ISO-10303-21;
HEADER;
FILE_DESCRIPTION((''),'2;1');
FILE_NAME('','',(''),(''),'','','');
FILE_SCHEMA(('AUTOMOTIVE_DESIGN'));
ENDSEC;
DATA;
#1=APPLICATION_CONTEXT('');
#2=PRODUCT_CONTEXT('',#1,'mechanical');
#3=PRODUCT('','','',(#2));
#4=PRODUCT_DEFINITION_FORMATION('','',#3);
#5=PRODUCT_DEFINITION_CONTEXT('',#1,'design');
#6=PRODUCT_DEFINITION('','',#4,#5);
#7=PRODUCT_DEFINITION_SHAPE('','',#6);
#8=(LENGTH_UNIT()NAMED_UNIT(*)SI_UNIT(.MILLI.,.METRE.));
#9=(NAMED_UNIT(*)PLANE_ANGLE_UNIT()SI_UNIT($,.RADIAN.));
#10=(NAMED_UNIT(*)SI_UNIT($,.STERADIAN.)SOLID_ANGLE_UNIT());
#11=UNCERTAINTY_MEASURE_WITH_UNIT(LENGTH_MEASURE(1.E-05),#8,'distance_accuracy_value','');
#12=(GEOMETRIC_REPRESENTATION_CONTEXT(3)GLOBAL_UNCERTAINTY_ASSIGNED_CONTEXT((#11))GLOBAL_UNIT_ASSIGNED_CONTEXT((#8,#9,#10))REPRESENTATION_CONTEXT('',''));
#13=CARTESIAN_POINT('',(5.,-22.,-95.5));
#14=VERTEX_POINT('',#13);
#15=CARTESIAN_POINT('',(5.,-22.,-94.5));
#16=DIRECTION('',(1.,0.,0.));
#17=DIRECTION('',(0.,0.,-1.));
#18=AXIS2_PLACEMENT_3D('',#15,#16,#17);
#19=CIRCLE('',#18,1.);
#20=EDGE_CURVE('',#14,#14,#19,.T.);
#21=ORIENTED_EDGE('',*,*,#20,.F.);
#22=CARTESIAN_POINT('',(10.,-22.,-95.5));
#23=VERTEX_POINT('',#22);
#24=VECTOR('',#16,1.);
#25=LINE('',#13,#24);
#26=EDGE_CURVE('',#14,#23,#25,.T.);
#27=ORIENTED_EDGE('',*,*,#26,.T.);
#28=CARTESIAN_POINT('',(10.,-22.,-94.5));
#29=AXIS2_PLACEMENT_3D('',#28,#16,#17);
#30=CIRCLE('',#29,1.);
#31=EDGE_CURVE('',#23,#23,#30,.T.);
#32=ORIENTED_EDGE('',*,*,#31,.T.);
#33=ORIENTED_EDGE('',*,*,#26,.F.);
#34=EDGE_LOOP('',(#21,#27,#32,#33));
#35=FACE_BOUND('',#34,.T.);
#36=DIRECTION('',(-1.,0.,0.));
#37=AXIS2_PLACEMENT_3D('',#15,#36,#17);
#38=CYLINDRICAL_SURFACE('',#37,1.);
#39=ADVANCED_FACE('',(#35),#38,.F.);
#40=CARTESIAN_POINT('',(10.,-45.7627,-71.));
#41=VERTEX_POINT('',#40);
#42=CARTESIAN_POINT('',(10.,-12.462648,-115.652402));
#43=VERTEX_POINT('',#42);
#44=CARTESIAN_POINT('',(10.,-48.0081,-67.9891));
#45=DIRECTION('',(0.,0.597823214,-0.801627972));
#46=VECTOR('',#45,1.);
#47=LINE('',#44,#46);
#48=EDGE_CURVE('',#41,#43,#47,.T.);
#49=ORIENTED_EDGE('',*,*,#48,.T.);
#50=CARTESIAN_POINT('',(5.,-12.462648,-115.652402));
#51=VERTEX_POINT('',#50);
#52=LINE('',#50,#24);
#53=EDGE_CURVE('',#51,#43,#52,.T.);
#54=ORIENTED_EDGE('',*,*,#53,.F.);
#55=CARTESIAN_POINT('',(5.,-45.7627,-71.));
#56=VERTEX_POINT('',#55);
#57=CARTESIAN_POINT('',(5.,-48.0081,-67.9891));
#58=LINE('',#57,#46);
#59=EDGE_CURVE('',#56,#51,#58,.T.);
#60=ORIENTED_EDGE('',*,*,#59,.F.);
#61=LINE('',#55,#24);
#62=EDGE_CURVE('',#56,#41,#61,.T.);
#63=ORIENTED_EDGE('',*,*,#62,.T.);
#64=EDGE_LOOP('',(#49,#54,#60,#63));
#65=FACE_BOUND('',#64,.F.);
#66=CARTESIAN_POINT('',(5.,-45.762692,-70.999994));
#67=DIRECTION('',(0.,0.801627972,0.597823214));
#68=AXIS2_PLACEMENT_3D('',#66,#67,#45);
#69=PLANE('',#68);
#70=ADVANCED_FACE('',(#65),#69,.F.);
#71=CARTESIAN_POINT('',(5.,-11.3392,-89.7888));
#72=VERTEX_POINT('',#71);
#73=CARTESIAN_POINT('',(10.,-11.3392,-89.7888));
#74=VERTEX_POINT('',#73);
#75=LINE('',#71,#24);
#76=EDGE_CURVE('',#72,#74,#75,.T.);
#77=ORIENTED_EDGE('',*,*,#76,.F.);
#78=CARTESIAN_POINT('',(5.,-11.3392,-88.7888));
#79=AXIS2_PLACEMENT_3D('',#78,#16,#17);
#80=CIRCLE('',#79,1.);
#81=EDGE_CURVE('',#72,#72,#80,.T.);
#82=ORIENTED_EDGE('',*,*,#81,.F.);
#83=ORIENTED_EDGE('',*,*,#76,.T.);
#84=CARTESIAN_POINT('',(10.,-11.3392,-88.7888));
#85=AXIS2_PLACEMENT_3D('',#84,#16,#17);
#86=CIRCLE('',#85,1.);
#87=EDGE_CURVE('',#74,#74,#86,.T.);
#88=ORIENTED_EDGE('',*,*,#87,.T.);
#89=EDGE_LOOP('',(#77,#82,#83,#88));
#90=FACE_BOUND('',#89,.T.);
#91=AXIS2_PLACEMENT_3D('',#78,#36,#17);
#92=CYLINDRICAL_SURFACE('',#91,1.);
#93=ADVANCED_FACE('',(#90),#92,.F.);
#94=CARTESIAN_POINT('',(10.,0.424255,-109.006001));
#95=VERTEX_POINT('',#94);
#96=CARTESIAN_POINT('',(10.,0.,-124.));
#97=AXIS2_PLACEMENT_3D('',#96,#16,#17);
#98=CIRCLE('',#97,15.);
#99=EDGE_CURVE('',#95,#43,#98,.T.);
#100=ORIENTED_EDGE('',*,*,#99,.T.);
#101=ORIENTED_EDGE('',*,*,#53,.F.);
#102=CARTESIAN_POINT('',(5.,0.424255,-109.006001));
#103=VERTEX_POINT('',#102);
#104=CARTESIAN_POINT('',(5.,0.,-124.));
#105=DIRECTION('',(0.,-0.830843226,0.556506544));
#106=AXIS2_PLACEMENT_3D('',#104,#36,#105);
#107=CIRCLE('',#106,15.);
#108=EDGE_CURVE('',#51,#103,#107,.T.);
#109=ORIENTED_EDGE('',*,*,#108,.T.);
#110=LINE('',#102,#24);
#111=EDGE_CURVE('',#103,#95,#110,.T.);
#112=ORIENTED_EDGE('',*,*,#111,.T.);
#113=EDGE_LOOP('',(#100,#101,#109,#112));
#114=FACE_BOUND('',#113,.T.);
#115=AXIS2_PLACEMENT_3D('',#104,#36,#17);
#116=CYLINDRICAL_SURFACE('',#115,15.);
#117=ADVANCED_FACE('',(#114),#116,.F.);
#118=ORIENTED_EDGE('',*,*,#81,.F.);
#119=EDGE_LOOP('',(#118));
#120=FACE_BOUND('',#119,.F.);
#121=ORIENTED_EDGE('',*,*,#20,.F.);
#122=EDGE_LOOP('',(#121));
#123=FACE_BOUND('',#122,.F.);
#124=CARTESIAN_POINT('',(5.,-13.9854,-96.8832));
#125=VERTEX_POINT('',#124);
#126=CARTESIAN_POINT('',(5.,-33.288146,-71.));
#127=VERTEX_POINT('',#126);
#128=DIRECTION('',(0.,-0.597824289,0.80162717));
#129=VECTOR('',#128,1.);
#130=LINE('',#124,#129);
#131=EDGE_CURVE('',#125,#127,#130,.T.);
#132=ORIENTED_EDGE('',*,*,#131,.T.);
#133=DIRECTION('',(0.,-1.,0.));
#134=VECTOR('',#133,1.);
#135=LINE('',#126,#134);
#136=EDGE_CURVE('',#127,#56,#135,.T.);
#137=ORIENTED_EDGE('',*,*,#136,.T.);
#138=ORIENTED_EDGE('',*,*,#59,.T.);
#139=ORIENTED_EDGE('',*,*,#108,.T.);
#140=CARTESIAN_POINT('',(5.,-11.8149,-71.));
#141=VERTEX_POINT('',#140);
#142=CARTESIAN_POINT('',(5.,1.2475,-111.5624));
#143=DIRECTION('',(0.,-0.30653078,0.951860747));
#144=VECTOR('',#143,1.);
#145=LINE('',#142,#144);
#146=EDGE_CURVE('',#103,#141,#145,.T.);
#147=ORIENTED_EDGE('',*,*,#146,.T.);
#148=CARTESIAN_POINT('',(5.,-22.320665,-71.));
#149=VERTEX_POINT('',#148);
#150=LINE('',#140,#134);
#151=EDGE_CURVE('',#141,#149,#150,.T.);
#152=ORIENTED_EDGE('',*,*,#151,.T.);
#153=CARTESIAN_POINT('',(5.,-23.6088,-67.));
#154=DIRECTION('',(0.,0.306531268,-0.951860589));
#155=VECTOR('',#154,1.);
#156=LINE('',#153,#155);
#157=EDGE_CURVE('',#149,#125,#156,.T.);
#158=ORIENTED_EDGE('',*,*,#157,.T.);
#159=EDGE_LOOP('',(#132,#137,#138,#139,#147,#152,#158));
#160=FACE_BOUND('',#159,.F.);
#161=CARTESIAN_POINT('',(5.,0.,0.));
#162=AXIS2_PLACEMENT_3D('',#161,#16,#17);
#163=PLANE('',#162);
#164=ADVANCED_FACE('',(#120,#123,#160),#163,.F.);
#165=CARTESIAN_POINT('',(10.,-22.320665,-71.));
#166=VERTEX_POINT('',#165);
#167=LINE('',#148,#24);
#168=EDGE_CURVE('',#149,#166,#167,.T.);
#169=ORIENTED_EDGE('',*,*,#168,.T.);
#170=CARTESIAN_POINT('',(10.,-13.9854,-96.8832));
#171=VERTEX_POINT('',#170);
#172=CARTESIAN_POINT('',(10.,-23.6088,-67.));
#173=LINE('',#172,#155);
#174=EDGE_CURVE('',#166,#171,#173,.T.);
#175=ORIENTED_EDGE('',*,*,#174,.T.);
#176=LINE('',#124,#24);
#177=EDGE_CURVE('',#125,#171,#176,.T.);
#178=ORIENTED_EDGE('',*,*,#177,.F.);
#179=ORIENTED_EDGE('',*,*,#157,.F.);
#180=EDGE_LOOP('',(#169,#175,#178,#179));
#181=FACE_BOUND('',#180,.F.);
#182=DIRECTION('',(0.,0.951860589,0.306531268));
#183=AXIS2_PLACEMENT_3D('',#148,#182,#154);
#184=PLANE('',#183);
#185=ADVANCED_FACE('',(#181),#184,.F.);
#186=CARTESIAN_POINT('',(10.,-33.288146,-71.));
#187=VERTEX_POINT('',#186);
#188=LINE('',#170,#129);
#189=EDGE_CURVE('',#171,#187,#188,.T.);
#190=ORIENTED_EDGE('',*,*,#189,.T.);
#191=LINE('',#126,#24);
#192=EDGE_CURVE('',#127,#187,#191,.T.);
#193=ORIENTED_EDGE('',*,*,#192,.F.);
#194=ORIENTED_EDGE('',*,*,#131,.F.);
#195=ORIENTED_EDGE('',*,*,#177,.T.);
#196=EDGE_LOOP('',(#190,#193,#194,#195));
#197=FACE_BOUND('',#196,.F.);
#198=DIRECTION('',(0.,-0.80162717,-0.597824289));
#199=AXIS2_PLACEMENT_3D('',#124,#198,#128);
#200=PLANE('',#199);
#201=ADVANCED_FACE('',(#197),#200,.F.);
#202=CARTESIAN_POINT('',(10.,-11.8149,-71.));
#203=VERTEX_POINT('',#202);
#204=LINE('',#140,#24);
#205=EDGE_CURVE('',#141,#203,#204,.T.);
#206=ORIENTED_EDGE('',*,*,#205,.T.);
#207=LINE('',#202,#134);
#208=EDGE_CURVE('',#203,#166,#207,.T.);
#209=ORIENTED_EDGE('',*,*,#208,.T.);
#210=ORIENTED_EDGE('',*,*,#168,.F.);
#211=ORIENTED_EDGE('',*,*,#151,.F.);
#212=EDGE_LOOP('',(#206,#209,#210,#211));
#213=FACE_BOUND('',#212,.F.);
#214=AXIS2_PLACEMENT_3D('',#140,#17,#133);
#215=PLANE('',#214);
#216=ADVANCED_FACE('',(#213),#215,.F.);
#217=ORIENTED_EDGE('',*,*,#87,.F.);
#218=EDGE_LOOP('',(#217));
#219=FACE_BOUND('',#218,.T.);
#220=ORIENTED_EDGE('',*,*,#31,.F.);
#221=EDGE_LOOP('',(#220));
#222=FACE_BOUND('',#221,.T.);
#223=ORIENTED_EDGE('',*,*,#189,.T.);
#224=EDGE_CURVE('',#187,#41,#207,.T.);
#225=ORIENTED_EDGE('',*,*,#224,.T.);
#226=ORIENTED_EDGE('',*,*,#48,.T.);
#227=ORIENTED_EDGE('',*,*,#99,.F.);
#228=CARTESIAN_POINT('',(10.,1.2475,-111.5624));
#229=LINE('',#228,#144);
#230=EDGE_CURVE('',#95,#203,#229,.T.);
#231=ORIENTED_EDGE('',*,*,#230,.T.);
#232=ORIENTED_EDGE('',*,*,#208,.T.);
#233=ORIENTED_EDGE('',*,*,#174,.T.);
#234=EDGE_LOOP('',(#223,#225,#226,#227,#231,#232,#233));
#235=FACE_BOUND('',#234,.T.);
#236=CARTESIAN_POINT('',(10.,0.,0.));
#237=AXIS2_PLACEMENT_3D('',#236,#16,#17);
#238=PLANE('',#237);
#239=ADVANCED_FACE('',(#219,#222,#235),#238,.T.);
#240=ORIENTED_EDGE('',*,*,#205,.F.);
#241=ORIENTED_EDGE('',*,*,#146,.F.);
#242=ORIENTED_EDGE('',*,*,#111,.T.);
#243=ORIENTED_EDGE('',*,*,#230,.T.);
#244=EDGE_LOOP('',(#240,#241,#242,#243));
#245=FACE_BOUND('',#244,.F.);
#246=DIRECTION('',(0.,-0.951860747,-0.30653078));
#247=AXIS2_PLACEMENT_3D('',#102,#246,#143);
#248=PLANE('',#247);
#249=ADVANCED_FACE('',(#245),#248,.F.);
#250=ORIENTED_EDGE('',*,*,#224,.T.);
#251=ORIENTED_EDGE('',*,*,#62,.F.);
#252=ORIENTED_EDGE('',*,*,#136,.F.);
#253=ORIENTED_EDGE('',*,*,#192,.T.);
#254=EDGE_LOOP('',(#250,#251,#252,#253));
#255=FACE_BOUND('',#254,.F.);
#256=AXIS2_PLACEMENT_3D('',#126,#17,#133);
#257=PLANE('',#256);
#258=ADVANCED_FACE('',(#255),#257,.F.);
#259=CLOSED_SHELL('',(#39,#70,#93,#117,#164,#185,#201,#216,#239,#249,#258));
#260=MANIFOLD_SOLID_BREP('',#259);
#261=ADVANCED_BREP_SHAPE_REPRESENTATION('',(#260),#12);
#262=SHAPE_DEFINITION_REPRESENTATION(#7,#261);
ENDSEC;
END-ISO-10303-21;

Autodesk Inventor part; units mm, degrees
ref_plane "YZ Plane" through (0, 0, 0) normal (1, 0, 0) x (0, 1, 0)
ref_plane "XZ Plane" through (0, 0, 0) normal (0, 1, 0) x (-1, 0, 0)
ref_plane "XY Plane" through (0, 0, 0) normal (0, 0, 1) x (1, 0, 0)
sketch "Sketch1" plane through (0, 0, 0) normal (1, 0, 0) x (0, 1, 0)
  circle A0 centre (0, -124) radius 1.95
  circle A1 centre (0, 124) radius 1.95
  circle A2 centre (-19, -65) radius 1.5
  circle A3 centre (-19, 65) radius 1.5
  line L0 (0, 124) -> (-19, 65) construction
  line L1 (4.7593, 122.4673) -> (-14.2407, 63.4673)
  line L2 (-23.7593, 66.5327) -> (-4.7593, 125.5327)
  arc A4 (4.7593, 122.4673) -> (-4.7593, 125.5327) centre (0, 124) ccw
  arc A5 (-23.7593, 66.5327) -> (-14.2407, 63.4673) centre (-19, 65) ccw
  line L3 (-19, 65) -> (-19, -65) construction
  line L4 (-24, 65) -> (-24, -65)
  line L5 (-14, -65) -> (-14, 65)
  arc A6 (-14, 65) -> (-24, 65) centre (-19, 65) ccw
  arc A7 (-24, -65) -> (-14, -65) centre (-19, -65) ccw
  line L6 (-19, -65) -> (0, -124) construction
  line L7 (-23.7593, -66.5327) -> (-4.7593, -125.5327)
  line L8 (4.7593, -122.4673) -> (-14.2407, -63.4673)
  arc A8 (-14.2407, -63.4673) -> (-23.7593, -66.5327) centre (-19, -65) ccw
  arc A9 (-4.7593, -125.5327) -> (4.7593, -122.4673) centre (0, -124) ccw
  circle A10 centre (-44, 65) radius 1.5
  circle A11 centre (-44, -65) radius 1.5
  line L9 (-19, 65) -> (-44, 65) construction
  line L10 (-19, 67) -> (-44, 67)
  line L11 (-44, 63) -> (-19, 63)
  arc A12 (-19, 63) -> (-19, 67) centre (-19, 65) ccw
  arc A13 (-44, 67) -> (-44, 63) centre (-44, 65) ccw
  line L12 (-19, -65) -> (-44, -65) construction
  line L13 (-19, -63) -> (-44, -63)
  line L14 (-44, -67) -> (-19, -67)
  arc A14 (-19, -67) -> (-19, -63) centre (-19, -65) ccw
  arc A15 (-44, -63) -> (-44, -67) centre (-44, -65) ccw
  line L15 (0, 124) -> (-44, 65) construction
  line L16 (-4.0081, 126.9891) -> (-48.0081, 67.9891)
  line L17 (-39.9919, 62.0109) -> (4.0081, 121.0109)
  arc A16 (4.0081, 121.0109) -> (-4.0081, 126.9891) centre (0, 124) ccw
  arc A17 (-48.0081, 67.9891) -> (-39.9919, 62.0109) centre (-44, 65) ccw
  line L18 (-44, -65) -> (0, -124) construction
  line L19 (-48.0081, -67.9891) -> (-4.0081, -126.9891)
  line L20 (4.0081, -121.0109) -> (-39.9919, -62.0109)
  arc A18 (-39.9919, -62.0109) -> (-48.0081, -67.9891) centre (-44, -65) ccw
  arc A19 (-4.0081, -126.9891) -> (4.0081, -121.0109) centre (0, -124) ccw
  line L21 (-44, 65) -> (-44, -65) construction
  line L22 (-46.5, 65) -> (-46.5, -65)
  line L23 (-41.5, -65) -> (-41.5, 65)
  arc A20 (-41.5, 65) -> (-46.5, 65) centre (-44, 65) ccw
  arc A21 (-46.5, -65) -> (-41.5, -65) centre (-44, -65) ccw
  line L24 (-44, 65) -> (-19, 0) construction
  line L25 (-45.4, 64.4615) -> (-20.4, -0.5385)
  line L26 (-17.6, 0.5385) -> (-42.6, 65.5385)
  arc A22 (-42.6, 65.5385) -> (-45.4, 64.4615) centre (-44, 65) ccw
  arc A23 (-20.4, -0.5385) -> (-17.6, 0.5385) centre (-19, 0) ccw
  line L27 (-44, -65) -> (-19, 0) construction
  line L28 (-42.6, -65.5385) -> (-17.6, -0.5385)
  line L29 (-20.4, 0.5385) -> (-45.4, -64.4615)
  arc A24 (-45.4, -64.4615) -> (-42.6, -65.5385) centre (-44, -65) ccw
  arc A25 (-17.6, -0.5385) -> (-20.4, 0.5385) centre (-19, 0) ccw
  line L30 (-19, 0) -> (-44, 0) construction
  line L31 (-19, 1.5) -> (-44, 1.5)
  line L32 (-44, -1.5) -> (-19, -1.5)
  arc A26 (-19, -1.5) -> (-19, 1.5) centre (-19, 0) ccw
  arc A27 (-44, 1.5) -> (-44, -1.5) centre (-44, 0) ccw
  circle A28 centre (-19, -10) radius 1.5
  circle A29 centre (-19, -35) radius 1.5
  circle A30 centre (-19, 10) radius 1.5
  circle A31 centre (-19, 35) radius 1.5
  circle A32 centre (0, -124) radius 12.5
  circle A33 centre (0, 124) radius 12.5
  circle A34 centre (-22, 94.5) radius 1
  circle A35 centre (-22, -94.5) radius 1
  circle A36 centre (-11.3392, 88.7888) radius 1
  circle A37 centre (-11.3392, -88.7888) radius 1
  circle A38 centre (-19, 0) radius 1
  point P0 (0, 0)
  point P1 (-9.5, 94.5)
  point P2 (-9.5, -94.5)
  point P3 (-14, -64.2148)
  point P4 (-14, 64.2148)
  point P5 (-24, 65)
  point P6 (-31.5, 65)
  point P7 (-31.5, -65)
  point P8 (-44, 0)
  point P9 (-31.5, 32.5)
  point P10 (-31.5, -32.5)
  point P11 (-41.5, 54.3215)
  point P12 (-24, 8.8215)
  point P13 (-24, 17.1785)
  point P14 (-41.6236, 63)
  point P15 (-24, 63)
  point P16 (-23.6088, 67)
  point P17 (-36.2712, 67)
  point P18 (-13.9854, 96.8832)
  point P19 (-6.8749, 118.9633)
  point P20 (-43.3898, 70)
  point P21 (-46.5, -65)
  point P22 (-43.3898, -70)
  point P23 (-6.8749, -118.9633)
  point P24 (-13.9854, -96.8832)
  point P25 (-36.2712, -67)
  point P26 (-23.6088, -67)
  point P27 (-24, -63)
  point P28 (-41.6236, -63)
  point P29 (-24, -17.1785)
  point P30 (-24, -8.8215)
  point P31 (-41.5, -54.3215)
  point P32 (-31.5, 0)
  point P33 (-41.5, -1.5)
  point P34 (-24, -1.5)
  point P35 (-24, 1.5)
  point P36 (-41.5, 1.5)
  point P37 (-46.5, 60.6699)
  point P38 (-46.5, -60.6699)
  point P39 (-4.0081, -126.9891)
  point P40 (-41.5, 63)
  point P41 (-23.5826, 67)
  point P42 (-41.5, -63)
  point P43 (-41.5, -62.6785)
  point P44 (-41.5, 62.6785)
  point P45 (-10.8571, -117.8053)
  point P46 (1.2475, -111.5624)
  point P47 (-10.8571, 117.8053)
  point P48 (1.2475, 111.5624)
  point P49 (-40.8878, -61.0867)
  point P50 (-41.5, 60.6699)
  dimension "d2" = 3.9
  dimension "d4" = 3.9
  dimension "d25" = 3
  dimension "d28" = 3
  dimension "d43" = 59
  dimension "d44" = 65
  dimension "d45" = 65
  dimension "d47" = 59
  dimension "d48" = 10
  dimension "d49" = 10
  dimension "d50" = 10
  dimension "d52" = 14
  dimension "d53" = 3
  dimension "d54" = 3
  dimension "d55" = 4
  dimension "d56" = 4
  dimension "d57" = 25
  dimension "d58" = 25
  dimension "d59" = 10
  dimension "d60" = 10
  dimension "d61" = 5
  dimension "d62" = 3
  dimension "d63" = 3
  dimension "d64" = 3
  dimension "d65" = 3
  dimension "d66" = 3
  dimension "d67" = 10
  dimension "d68" = 25
  dimension "d69" = 3
  dimension "d70" = 3
  dimension "d71" = 10
  dimension "d72" = 25
  dimension "d73" = 25
  dimension "d74" = 25
  dimension "d76" = 2
  dimension "d78" = 2
  dimension "d79" = 2
  dimension "d80" = 2
  dimension "d81" = 6
  dimension "d82" = 6
  dimension "d83" = 2
extrude "Extrusion1" add sketch "Sketch1" along normal blind 5 contours A4 L16 A33 L1 | A16 L17 A33 L2 A4 | L1 A33 L17 A16 | L1 L5 A6 L10 L2 L17 A33 | A4 L2 A33 L16 | L5 L8 A8 L13 L4 L28 A23 L26 L11 A5 L1 | L1 A5 L11 A12 L10 A6 L5 | L17 L2 A33 | A33 L2 L17 L10 A20 L22 A17 L16 | L8 A32 L20 L7 L14 A7 L5 | L5 A7 L14 A14 L13 A8 L8 | L11 L4 A5 | A5 A6 L10 A12 L11 | A32 L19 A9 L8 | L8 A19 L20 A32 | A6 L2 L10 | L2 A5 L4 L11 L17 L10 | L17 L11 L23 A20 L10 | L22 A20 L10 A13 L25 A17 | A17 L25 L23 L31 A27 L32 L29 A18 L22 | L14 L7 A7 | A7 A8 L13 A14 L14 | A9 L7 A32 L20 A19 | A32 L7 L20 | A8 L4 L13 | A20 L23 L11 L26 A10 L25 A13 L10 | L25 A13 L11 L26 L23 A17 | A17 L23 L25 | L22 A21 L14 L20 L7 A32 L19 A18 | A18 L29 A15 L14 A21 L22 | L26 A25 L31 L25 L4 | L4 L25 L23 A17 L26 | L7 L14 L20 L13 L4 A7 | L19 A32 L7 A9 | L23 L26 L11 | L23 L26 A17 | L25 A10 L26 L11 A13 | L29 L23 A18 | A18 L23 L28 L13 A15 L29 | L25 L31 L4 | A23 L25 L29 A25 | L14 A21 L23 L13 L20 | L28 A18 L23 L29 L4 | L4 L29 L32 A23 L28 | L31 L4 L32 L23 | L23 L32 A27 L31 | A18 L28 L23 | L29 A11 L28 L13 L23 A21 L14 A15 | A15 L13 L28 A11 L29 | L31 L25 L29 L32 L4 | L31 A25 L29 L25 | L4 L32 L29 | L25 A23 L32 L29
sketch "Sketch8" plane through (5, 0, 0) normal (1, 0, 0) x (0, 0, -1)
  line L0 (-54.3215, -41.5) -> (-1.5, -41.5) projected
  line L1 (-1.5, -41.5) -> (-1.5, -24) projected
  line L2 (-1.5, -24) -> (-8.8215, -24) projected
  line L3 (-8.8215, -24) -> (-54.3215, -41.5) projected
  line L4 (1.5, -24) -> (1.5, -41.5) projected
  line L5 (1.5, -41.5) -> (54.3215, -41.5) projected
  line L6 (54.3215, -41.5) -> (8.8215, -24) projected
  line L7 (8.8215, -24) -> (1.5, -24) projected
  line L8 (-67, -23.6088) -> (-96.8832, -13.9854) projected
  line L9 (-96.8832, -13.9854) -> (-67, -36.2712) projected
  line L10 (-67, -36.2712) -> (-67, -23.6088) projected
  line L11 (63, -24) -> (17.1785, -24) projected
  line L12 (17.1785, -24) -> (63, -41.6236) projected
  line L13 (63, -41.6236) -> (63, -24) projected
  circle A0 centre (-65, -44) radius 1.5 projected
  circle A1 centre (124, 0) radius 1.95 projected
  circle A2 centre (-124, 0) radius 1.95 projected
  circle A3 centre (-94.5, -22) radius 1 projected
  circle A4 centre (-35, -19) radius 1.5 projected
  circle A5 centre (-10, -19) radius 1.5 projected
  circle A6 centre (35, -19) radius 1.5 projected
  circle A7 centre (10, -19) radius 1.5 projected
  circle A8 centre (65, -19) radius 1.5 projected
  circle A9 centre (88.7888, -11.3392) radius 1 projected
  circle A10 centre (-65, -19) radius 1.5 projected
  circle A11 centre (-88.7888, -11.3392) radius 1 projected
  circle A12 centre (94.5, -22) radius 1 projected
  circle A13 centre (65, -44) radius 1.5 projected
  line L14 (67, -23.6088) -> (67, -36.2712) projected
  line L15 (67, -36.2712) -> (96.8832, -13.9854) projected
  line L16 (96.8832, -13.9854) -> (67, -23.6088) projected
  line L17 (-62.6785, -41.5) -> (-17.1785, -24) projected
  line L18 (-17.1785, -24) -> (-63, -24) projected
  line L19 (-63, -24) -> (-63, -41.5) projected
  line L20 (-63, -41.5) -> (-62.6785, -41.5) projected
  arc A14 (117.8053, -10.8571) -> (111.5624, 1.2475) centre (124, 0) ccw projected
  line L21 (117.8053, -10.8571) -> (67.9891, -48.0081) projected
  arc A15 (60.6699, -46.5) -> (67.9891, -48.0081) centre (65, -44) ccw projected
  line L22 (60.6699, -46.5) -> (-60.6699, -46.5) projected
  arc A16 (-67.9891, -48.0081) -> (-60.6699, -46.5) centre (-65, -44) ccw projected
  line L23 (-67.9891, -48.0081) -> (-117.8053, -10.8571) projected
  arc A17 (-111.5624, 1.2475) -> (-117.8053, -10.8571) centre (-124, 0) ccw projected
  line L24 (-111.5624, 1.2475) -> (-64.2148, -14) projected
  line L25 (-64.2148, -14) -> (64.2148, -14) projected
  line L26 (64.2148, -14) -> (111.5624, 1.2475) projected
  circle A18 centre (0, -19) radius 1 projected
  point P0 (0, 0)
sketch "Sketch9" plane through (5, 0, 0) normal (1, 0, 0) x (0, 0, -1)
  circle A0 centre (124, 0) radius 1.95 projected
  circle A1 centre (124, 0) radius 15
  line L0 (111.5624, 1.2475) -> (64.2148, -14) projected
  circle A2 centre (88.7888, -11.3392) radius 1 projected
  line L1 (67, -23.6088) -> (96.8832, -13.9854) projected
  line L2 (96.8832, -13.9854) -> (67, -36.2712) projected
  line L3 (67.9891, -48.0081) -> (117.8053, -10.8571) projected
  circle A3 centre (94.5, -22) radius 1 projected
  line L4 (71, -11.8149) -> (71, -45.7627)
  circle A4 centre (65, -19) radius 1.5 projected
  point P0 (0, 0)
  point P1 (71, -33.2881)
  point P2 (115.6524, -12.4626)
  point P3 (109.006, 0.4243)
  point P4 (71, -22.3207)
  dimension "d84" = 30
  dimension "d85" = 6
extrude "Extrusion4" add sketch "Sketch9" along normal blind 5 contours A1 L3 L4 L2 L1 L0
sketch "Sketch10" plane through (5, 0, 0) normal (1, 0, 0) x (0, 0, -1)
  line L0 (-181.8877, 79.6872) -> (179.0889, 79.6872)
  line L1 (179.0889, 79.6872) -> (179.0889, -93.8152)
  line L2 (179.0889, -93.8152) -> (-181.8877, -93.8152)
  line L3 (-181.8877, -93.8152) -> (-181.8877, 79.6872)
  point P0 (0, 0)
extrude "Extrusion5" cut sketch "Sketch10" against normal blind 10
properties part number "Horizontal_bar_reinforcement_V2"
